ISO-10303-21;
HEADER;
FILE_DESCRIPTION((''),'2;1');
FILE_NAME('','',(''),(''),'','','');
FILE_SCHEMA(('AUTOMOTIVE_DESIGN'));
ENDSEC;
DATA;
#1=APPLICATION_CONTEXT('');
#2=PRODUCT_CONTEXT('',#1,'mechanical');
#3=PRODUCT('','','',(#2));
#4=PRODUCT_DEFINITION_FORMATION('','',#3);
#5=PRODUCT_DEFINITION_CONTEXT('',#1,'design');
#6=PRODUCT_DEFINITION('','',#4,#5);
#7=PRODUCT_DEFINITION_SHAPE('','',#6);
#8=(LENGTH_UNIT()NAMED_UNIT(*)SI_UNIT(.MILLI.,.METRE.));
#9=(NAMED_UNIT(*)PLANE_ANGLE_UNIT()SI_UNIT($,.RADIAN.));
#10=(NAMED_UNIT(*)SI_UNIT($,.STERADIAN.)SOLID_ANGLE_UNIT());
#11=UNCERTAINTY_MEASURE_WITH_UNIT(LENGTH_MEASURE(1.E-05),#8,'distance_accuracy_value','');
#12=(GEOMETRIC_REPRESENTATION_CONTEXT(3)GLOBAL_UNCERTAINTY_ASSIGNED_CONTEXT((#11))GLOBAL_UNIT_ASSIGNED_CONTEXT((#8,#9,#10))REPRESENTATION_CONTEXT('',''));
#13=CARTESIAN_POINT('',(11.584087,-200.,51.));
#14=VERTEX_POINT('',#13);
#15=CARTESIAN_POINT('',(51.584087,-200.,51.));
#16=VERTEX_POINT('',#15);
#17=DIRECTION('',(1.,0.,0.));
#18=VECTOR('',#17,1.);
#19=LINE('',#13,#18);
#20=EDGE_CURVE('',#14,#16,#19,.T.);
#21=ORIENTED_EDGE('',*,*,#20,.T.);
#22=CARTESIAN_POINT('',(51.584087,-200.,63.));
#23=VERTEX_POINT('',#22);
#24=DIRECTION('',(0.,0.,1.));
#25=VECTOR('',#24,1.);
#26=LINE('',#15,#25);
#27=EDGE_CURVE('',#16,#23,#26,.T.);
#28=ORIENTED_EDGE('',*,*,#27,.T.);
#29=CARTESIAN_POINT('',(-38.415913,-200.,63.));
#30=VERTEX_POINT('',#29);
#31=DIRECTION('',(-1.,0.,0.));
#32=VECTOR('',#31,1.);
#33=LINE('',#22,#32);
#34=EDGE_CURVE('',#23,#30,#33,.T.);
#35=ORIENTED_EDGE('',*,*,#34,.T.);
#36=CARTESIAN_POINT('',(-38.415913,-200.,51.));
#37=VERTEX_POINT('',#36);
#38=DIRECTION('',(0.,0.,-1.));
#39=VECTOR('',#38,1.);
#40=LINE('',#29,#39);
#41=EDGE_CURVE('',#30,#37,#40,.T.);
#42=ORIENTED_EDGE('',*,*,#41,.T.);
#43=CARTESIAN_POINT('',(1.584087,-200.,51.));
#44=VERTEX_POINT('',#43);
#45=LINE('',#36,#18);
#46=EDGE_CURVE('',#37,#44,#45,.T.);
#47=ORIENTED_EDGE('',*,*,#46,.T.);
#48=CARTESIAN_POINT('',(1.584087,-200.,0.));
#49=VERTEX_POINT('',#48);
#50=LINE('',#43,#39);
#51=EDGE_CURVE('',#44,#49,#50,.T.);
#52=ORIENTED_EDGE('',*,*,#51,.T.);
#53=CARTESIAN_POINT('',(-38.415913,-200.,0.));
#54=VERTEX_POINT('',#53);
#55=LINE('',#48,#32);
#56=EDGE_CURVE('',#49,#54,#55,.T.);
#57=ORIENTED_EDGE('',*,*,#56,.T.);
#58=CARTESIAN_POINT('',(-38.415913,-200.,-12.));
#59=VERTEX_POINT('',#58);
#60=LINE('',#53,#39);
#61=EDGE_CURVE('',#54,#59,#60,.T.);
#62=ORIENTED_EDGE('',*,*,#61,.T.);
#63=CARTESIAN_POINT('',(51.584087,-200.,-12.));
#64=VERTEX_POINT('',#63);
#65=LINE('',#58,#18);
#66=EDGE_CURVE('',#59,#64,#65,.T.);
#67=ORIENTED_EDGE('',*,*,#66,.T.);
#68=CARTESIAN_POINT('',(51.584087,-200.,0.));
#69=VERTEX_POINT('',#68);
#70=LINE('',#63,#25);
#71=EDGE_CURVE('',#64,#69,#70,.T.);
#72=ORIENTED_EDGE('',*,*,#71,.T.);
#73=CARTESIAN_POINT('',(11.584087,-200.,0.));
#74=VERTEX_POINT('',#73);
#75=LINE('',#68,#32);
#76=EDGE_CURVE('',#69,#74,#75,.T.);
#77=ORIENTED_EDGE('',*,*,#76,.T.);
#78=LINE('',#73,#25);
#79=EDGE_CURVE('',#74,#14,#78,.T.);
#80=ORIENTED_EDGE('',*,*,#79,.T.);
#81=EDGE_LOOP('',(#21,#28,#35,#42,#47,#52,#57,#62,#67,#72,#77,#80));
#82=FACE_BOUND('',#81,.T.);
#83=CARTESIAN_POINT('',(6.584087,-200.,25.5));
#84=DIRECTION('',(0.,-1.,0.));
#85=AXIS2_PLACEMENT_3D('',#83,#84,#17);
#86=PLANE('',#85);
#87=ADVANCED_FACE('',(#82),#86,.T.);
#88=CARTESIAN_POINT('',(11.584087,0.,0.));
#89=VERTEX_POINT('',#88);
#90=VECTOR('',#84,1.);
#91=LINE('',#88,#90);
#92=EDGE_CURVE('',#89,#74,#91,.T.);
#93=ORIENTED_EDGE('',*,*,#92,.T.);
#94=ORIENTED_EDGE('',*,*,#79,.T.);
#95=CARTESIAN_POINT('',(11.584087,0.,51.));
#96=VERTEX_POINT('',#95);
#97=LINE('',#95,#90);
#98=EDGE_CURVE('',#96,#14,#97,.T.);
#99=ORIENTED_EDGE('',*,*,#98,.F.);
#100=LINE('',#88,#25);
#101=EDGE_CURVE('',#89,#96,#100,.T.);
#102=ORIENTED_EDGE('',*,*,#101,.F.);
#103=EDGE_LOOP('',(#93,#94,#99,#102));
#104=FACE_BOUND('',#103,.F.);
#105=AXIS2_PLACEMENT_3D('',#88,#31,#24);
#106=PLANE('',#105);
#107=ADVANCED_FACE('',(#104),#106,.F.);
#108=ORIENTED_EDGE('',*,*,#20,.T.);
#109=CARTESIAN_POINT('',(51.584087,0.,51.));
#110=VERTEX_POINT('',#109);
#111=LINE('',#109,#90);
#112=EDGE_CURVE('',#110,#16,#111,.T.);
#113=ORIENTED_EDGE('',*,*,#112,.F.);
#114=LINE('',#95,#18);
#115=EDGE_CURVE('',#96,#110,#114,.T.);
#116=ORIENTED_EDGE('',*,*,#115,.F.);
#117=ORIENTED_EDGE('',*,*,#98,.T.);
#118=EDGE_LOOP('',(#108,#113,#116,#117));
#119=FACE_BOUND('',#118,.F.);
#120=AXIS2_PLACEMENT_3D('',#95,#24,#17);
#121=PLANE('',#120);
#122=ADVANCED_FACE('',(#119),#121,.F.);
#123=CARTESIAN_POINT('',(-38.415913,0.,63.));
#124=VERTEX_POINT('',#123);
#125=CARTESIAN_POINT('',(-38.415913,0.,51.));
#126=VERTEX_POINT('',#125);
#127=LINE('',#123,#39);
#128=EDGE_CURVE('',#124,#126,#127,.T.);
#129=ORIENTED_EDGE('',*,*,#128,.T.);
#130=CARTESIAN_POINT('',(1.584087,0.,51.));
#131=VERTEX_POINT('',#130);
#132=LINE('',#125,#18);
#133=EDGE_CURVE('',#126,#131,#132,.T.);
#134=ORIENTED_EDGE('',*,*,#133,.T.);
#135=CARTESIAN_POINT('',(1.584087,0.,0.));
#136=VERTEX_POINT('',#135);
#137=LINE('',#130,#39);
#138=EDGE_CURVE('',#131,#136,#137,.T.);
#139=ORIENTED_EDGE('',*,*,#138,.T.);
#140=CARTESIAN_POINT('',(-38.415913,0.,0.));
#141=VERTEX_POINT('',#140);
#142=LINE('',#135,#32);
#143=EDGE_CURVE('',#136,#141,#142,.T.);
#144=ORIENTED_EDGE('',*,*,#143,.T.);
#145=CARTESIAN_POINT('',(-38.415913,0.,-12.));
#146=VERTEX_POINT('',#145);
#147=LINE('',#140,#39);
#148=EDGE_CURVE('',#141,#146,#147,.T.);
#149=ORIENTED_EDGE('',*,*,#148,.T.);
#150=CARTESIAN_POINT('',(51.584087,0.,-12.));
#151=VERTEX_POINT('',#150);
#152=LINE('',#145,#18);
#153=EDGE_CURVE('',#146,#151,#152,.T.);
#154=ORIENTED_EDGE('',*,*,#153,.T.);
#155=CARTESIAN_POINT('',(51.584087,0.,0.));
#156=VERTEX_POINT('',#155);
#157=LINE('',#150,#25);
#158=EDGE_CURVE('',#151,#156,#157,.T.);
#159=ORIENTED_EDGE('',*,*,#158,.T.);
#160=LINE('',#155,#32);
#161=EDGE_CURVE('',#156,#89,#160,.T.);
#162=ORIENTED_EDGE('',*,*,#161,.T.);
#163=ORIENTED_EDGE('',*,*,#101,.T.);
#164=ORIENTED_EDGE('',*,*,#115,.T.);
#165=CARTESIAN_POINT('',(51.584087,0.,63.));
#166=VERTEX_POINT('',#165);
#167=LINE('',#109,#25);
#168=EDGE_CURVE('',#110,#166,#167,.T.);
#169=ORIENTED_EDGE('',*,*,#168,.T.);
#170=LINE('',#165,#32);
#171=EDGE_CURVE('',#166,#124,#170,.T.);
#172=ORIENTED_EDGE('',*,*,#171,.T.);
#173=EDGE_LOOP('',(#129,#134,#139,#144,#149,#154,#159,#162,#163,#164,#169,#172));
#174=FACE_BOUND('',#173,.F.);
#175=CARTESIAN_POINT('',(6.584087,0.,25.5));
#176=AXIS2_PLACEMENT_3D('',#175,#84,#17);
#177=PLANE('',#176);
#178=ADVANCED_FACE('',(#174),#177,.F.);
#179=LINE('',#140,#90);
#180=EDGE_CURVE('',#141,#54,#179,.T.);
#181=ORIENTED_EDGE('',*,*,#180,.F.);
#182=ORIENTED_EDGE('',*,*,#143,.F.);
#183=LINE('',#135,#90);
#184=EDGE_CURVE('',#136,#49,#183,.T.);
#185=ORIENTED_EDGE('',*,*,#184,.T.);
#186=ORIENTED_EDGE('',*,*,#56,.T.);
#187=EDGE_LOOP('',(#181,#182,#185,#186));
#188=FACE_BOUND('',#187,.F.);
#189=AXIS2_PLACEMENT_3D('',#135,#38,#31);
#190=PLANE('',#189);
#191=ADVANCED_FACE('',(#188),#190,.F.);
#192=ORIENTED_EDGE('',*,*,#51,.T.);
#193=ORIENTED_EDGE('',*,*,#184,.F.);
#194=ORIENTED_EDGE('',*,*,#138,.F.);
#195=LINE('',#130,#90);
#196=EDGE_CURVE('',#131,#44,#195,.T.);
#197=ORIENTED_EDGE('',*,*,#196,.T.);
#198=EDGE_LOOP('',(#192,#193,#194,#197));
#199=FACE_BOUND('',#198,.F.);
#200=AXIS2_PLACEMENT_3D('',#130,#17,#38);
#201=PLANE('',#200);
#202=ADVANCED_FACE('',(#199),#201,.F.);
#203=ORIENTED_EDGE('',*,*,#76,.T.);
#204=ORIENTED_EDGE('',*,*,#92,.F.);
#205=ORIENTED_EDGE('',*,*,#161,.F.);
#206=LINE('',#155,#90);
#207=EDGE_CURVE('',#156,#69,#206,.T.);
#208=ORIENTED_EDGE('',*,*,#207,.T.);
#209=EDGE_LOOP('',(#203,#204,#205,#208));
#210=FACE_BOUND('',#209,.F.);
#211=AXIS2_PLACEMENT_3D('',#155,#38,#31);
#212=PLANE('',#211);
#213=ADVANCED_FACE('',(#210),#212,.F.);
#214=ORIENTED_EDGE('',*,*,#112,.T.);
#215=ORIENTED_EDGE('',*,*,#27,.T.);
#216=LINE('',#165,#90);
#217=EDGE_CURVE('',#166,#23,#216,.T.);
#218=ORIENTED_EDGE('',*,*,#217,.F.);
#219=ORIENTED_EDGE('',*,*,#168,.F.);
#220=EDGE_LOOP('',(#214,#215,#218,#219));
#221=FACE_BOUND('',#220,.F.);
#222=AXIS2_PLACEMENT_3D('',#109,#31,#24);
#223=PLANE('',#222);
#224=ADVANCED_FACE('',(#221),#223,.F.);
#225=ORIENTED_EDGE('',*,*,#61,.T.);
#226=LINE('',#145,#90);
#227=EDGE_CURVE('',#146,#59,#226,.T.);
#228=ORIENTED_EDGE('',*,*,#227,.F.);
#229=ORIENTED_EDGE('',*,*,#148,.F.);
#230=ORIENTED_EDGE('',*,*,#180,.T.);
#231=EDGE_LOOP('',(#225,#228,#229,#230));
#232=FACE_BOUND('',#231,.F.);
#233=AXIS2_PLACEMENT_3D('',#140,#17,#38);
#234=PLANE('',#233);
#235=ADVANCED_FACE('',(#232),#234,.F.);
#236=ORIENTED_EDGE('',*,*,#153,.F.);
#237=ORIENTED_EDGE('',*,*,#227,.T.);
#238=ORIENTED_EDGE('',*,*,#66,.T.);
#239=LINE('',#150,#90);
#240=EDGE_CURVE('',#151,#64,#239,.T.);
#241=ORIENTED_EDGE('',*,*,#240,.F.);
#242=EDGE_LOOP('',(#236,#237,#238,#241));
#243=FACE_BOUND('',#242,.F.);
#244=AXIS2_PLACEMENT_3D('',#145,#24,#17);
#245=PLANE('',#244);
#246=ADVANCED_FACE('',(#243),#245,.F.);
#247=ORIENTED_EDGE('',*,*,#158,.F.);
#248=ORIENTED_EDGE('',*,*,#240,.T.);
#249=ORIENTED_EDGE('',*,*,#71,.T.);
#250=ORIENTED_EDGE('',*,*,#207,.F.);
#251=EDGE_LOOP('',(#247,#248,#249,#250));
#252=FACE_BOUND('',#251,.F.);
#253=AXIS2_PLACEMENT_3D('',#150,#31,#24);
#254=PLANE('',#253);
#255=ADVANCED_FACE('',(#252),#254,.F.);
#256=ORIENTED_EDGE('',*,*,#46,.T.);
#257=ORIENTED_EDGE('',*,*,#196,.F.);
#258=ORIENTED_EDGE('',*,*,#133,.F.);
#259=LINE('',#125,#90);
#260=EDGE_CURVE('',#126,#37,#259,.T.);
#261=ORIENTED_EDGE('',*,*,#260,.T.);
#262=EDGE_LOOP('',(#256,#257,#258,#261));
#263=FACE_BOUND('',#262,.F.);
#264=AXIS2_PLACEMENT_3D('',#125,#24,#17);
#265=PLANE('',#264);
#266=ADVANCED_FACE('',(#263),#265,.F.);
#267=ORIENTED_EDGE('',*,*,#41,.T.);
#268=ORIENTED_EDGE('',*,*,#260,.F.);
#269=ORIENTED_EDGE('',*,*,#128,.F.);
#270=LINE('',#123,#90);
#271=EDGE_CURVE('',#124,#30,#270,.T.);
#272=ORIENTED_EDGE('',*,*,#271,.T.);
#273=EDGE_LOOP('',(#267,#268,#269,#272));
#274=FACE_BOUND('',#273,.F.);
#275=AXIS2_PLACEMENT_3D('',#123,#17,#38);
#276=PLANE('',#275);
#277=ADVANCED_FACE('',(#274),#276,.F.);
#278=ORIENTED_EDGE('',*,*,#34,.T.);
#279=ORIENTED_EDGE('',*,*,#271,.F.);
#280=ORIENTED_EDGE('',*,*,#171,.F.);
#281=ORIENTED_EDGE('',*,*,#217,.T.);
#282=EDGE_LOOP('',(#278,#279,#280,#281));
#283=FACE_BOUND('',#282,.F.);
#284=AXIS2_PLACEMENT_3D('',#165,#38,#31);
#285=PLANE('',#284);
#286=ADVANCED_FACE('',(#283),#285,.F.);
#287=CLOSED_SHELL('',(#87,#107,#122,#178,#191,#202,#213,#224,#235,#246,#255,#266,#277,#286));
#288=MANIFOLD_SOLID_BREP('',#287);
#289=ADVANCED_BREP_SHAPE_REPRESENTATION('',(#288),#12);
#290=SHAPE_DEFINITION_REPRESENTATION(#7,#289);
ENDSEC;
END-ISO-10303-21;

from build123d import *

# Parameters (mm, degrees)
PAD_DEPTH = 200


with BuildPart() as part:
    # Sketch → Pad (new body)
    with BuildSketch(Plane.XZ):
        Polygon((-38.415913, 63), (-38.415913, 51), (1.584087, 51), (1.584087, 0), (-38.415913, 0), (-38.415913, -12), (51.584087, -12), (51.584087, 0), (11.584087, 0), (11.584087, 51), (51.584087, 51), (51.584087, 63), align=None)
    extrude(amount=PAD_DEPTH)


solid = part.part
